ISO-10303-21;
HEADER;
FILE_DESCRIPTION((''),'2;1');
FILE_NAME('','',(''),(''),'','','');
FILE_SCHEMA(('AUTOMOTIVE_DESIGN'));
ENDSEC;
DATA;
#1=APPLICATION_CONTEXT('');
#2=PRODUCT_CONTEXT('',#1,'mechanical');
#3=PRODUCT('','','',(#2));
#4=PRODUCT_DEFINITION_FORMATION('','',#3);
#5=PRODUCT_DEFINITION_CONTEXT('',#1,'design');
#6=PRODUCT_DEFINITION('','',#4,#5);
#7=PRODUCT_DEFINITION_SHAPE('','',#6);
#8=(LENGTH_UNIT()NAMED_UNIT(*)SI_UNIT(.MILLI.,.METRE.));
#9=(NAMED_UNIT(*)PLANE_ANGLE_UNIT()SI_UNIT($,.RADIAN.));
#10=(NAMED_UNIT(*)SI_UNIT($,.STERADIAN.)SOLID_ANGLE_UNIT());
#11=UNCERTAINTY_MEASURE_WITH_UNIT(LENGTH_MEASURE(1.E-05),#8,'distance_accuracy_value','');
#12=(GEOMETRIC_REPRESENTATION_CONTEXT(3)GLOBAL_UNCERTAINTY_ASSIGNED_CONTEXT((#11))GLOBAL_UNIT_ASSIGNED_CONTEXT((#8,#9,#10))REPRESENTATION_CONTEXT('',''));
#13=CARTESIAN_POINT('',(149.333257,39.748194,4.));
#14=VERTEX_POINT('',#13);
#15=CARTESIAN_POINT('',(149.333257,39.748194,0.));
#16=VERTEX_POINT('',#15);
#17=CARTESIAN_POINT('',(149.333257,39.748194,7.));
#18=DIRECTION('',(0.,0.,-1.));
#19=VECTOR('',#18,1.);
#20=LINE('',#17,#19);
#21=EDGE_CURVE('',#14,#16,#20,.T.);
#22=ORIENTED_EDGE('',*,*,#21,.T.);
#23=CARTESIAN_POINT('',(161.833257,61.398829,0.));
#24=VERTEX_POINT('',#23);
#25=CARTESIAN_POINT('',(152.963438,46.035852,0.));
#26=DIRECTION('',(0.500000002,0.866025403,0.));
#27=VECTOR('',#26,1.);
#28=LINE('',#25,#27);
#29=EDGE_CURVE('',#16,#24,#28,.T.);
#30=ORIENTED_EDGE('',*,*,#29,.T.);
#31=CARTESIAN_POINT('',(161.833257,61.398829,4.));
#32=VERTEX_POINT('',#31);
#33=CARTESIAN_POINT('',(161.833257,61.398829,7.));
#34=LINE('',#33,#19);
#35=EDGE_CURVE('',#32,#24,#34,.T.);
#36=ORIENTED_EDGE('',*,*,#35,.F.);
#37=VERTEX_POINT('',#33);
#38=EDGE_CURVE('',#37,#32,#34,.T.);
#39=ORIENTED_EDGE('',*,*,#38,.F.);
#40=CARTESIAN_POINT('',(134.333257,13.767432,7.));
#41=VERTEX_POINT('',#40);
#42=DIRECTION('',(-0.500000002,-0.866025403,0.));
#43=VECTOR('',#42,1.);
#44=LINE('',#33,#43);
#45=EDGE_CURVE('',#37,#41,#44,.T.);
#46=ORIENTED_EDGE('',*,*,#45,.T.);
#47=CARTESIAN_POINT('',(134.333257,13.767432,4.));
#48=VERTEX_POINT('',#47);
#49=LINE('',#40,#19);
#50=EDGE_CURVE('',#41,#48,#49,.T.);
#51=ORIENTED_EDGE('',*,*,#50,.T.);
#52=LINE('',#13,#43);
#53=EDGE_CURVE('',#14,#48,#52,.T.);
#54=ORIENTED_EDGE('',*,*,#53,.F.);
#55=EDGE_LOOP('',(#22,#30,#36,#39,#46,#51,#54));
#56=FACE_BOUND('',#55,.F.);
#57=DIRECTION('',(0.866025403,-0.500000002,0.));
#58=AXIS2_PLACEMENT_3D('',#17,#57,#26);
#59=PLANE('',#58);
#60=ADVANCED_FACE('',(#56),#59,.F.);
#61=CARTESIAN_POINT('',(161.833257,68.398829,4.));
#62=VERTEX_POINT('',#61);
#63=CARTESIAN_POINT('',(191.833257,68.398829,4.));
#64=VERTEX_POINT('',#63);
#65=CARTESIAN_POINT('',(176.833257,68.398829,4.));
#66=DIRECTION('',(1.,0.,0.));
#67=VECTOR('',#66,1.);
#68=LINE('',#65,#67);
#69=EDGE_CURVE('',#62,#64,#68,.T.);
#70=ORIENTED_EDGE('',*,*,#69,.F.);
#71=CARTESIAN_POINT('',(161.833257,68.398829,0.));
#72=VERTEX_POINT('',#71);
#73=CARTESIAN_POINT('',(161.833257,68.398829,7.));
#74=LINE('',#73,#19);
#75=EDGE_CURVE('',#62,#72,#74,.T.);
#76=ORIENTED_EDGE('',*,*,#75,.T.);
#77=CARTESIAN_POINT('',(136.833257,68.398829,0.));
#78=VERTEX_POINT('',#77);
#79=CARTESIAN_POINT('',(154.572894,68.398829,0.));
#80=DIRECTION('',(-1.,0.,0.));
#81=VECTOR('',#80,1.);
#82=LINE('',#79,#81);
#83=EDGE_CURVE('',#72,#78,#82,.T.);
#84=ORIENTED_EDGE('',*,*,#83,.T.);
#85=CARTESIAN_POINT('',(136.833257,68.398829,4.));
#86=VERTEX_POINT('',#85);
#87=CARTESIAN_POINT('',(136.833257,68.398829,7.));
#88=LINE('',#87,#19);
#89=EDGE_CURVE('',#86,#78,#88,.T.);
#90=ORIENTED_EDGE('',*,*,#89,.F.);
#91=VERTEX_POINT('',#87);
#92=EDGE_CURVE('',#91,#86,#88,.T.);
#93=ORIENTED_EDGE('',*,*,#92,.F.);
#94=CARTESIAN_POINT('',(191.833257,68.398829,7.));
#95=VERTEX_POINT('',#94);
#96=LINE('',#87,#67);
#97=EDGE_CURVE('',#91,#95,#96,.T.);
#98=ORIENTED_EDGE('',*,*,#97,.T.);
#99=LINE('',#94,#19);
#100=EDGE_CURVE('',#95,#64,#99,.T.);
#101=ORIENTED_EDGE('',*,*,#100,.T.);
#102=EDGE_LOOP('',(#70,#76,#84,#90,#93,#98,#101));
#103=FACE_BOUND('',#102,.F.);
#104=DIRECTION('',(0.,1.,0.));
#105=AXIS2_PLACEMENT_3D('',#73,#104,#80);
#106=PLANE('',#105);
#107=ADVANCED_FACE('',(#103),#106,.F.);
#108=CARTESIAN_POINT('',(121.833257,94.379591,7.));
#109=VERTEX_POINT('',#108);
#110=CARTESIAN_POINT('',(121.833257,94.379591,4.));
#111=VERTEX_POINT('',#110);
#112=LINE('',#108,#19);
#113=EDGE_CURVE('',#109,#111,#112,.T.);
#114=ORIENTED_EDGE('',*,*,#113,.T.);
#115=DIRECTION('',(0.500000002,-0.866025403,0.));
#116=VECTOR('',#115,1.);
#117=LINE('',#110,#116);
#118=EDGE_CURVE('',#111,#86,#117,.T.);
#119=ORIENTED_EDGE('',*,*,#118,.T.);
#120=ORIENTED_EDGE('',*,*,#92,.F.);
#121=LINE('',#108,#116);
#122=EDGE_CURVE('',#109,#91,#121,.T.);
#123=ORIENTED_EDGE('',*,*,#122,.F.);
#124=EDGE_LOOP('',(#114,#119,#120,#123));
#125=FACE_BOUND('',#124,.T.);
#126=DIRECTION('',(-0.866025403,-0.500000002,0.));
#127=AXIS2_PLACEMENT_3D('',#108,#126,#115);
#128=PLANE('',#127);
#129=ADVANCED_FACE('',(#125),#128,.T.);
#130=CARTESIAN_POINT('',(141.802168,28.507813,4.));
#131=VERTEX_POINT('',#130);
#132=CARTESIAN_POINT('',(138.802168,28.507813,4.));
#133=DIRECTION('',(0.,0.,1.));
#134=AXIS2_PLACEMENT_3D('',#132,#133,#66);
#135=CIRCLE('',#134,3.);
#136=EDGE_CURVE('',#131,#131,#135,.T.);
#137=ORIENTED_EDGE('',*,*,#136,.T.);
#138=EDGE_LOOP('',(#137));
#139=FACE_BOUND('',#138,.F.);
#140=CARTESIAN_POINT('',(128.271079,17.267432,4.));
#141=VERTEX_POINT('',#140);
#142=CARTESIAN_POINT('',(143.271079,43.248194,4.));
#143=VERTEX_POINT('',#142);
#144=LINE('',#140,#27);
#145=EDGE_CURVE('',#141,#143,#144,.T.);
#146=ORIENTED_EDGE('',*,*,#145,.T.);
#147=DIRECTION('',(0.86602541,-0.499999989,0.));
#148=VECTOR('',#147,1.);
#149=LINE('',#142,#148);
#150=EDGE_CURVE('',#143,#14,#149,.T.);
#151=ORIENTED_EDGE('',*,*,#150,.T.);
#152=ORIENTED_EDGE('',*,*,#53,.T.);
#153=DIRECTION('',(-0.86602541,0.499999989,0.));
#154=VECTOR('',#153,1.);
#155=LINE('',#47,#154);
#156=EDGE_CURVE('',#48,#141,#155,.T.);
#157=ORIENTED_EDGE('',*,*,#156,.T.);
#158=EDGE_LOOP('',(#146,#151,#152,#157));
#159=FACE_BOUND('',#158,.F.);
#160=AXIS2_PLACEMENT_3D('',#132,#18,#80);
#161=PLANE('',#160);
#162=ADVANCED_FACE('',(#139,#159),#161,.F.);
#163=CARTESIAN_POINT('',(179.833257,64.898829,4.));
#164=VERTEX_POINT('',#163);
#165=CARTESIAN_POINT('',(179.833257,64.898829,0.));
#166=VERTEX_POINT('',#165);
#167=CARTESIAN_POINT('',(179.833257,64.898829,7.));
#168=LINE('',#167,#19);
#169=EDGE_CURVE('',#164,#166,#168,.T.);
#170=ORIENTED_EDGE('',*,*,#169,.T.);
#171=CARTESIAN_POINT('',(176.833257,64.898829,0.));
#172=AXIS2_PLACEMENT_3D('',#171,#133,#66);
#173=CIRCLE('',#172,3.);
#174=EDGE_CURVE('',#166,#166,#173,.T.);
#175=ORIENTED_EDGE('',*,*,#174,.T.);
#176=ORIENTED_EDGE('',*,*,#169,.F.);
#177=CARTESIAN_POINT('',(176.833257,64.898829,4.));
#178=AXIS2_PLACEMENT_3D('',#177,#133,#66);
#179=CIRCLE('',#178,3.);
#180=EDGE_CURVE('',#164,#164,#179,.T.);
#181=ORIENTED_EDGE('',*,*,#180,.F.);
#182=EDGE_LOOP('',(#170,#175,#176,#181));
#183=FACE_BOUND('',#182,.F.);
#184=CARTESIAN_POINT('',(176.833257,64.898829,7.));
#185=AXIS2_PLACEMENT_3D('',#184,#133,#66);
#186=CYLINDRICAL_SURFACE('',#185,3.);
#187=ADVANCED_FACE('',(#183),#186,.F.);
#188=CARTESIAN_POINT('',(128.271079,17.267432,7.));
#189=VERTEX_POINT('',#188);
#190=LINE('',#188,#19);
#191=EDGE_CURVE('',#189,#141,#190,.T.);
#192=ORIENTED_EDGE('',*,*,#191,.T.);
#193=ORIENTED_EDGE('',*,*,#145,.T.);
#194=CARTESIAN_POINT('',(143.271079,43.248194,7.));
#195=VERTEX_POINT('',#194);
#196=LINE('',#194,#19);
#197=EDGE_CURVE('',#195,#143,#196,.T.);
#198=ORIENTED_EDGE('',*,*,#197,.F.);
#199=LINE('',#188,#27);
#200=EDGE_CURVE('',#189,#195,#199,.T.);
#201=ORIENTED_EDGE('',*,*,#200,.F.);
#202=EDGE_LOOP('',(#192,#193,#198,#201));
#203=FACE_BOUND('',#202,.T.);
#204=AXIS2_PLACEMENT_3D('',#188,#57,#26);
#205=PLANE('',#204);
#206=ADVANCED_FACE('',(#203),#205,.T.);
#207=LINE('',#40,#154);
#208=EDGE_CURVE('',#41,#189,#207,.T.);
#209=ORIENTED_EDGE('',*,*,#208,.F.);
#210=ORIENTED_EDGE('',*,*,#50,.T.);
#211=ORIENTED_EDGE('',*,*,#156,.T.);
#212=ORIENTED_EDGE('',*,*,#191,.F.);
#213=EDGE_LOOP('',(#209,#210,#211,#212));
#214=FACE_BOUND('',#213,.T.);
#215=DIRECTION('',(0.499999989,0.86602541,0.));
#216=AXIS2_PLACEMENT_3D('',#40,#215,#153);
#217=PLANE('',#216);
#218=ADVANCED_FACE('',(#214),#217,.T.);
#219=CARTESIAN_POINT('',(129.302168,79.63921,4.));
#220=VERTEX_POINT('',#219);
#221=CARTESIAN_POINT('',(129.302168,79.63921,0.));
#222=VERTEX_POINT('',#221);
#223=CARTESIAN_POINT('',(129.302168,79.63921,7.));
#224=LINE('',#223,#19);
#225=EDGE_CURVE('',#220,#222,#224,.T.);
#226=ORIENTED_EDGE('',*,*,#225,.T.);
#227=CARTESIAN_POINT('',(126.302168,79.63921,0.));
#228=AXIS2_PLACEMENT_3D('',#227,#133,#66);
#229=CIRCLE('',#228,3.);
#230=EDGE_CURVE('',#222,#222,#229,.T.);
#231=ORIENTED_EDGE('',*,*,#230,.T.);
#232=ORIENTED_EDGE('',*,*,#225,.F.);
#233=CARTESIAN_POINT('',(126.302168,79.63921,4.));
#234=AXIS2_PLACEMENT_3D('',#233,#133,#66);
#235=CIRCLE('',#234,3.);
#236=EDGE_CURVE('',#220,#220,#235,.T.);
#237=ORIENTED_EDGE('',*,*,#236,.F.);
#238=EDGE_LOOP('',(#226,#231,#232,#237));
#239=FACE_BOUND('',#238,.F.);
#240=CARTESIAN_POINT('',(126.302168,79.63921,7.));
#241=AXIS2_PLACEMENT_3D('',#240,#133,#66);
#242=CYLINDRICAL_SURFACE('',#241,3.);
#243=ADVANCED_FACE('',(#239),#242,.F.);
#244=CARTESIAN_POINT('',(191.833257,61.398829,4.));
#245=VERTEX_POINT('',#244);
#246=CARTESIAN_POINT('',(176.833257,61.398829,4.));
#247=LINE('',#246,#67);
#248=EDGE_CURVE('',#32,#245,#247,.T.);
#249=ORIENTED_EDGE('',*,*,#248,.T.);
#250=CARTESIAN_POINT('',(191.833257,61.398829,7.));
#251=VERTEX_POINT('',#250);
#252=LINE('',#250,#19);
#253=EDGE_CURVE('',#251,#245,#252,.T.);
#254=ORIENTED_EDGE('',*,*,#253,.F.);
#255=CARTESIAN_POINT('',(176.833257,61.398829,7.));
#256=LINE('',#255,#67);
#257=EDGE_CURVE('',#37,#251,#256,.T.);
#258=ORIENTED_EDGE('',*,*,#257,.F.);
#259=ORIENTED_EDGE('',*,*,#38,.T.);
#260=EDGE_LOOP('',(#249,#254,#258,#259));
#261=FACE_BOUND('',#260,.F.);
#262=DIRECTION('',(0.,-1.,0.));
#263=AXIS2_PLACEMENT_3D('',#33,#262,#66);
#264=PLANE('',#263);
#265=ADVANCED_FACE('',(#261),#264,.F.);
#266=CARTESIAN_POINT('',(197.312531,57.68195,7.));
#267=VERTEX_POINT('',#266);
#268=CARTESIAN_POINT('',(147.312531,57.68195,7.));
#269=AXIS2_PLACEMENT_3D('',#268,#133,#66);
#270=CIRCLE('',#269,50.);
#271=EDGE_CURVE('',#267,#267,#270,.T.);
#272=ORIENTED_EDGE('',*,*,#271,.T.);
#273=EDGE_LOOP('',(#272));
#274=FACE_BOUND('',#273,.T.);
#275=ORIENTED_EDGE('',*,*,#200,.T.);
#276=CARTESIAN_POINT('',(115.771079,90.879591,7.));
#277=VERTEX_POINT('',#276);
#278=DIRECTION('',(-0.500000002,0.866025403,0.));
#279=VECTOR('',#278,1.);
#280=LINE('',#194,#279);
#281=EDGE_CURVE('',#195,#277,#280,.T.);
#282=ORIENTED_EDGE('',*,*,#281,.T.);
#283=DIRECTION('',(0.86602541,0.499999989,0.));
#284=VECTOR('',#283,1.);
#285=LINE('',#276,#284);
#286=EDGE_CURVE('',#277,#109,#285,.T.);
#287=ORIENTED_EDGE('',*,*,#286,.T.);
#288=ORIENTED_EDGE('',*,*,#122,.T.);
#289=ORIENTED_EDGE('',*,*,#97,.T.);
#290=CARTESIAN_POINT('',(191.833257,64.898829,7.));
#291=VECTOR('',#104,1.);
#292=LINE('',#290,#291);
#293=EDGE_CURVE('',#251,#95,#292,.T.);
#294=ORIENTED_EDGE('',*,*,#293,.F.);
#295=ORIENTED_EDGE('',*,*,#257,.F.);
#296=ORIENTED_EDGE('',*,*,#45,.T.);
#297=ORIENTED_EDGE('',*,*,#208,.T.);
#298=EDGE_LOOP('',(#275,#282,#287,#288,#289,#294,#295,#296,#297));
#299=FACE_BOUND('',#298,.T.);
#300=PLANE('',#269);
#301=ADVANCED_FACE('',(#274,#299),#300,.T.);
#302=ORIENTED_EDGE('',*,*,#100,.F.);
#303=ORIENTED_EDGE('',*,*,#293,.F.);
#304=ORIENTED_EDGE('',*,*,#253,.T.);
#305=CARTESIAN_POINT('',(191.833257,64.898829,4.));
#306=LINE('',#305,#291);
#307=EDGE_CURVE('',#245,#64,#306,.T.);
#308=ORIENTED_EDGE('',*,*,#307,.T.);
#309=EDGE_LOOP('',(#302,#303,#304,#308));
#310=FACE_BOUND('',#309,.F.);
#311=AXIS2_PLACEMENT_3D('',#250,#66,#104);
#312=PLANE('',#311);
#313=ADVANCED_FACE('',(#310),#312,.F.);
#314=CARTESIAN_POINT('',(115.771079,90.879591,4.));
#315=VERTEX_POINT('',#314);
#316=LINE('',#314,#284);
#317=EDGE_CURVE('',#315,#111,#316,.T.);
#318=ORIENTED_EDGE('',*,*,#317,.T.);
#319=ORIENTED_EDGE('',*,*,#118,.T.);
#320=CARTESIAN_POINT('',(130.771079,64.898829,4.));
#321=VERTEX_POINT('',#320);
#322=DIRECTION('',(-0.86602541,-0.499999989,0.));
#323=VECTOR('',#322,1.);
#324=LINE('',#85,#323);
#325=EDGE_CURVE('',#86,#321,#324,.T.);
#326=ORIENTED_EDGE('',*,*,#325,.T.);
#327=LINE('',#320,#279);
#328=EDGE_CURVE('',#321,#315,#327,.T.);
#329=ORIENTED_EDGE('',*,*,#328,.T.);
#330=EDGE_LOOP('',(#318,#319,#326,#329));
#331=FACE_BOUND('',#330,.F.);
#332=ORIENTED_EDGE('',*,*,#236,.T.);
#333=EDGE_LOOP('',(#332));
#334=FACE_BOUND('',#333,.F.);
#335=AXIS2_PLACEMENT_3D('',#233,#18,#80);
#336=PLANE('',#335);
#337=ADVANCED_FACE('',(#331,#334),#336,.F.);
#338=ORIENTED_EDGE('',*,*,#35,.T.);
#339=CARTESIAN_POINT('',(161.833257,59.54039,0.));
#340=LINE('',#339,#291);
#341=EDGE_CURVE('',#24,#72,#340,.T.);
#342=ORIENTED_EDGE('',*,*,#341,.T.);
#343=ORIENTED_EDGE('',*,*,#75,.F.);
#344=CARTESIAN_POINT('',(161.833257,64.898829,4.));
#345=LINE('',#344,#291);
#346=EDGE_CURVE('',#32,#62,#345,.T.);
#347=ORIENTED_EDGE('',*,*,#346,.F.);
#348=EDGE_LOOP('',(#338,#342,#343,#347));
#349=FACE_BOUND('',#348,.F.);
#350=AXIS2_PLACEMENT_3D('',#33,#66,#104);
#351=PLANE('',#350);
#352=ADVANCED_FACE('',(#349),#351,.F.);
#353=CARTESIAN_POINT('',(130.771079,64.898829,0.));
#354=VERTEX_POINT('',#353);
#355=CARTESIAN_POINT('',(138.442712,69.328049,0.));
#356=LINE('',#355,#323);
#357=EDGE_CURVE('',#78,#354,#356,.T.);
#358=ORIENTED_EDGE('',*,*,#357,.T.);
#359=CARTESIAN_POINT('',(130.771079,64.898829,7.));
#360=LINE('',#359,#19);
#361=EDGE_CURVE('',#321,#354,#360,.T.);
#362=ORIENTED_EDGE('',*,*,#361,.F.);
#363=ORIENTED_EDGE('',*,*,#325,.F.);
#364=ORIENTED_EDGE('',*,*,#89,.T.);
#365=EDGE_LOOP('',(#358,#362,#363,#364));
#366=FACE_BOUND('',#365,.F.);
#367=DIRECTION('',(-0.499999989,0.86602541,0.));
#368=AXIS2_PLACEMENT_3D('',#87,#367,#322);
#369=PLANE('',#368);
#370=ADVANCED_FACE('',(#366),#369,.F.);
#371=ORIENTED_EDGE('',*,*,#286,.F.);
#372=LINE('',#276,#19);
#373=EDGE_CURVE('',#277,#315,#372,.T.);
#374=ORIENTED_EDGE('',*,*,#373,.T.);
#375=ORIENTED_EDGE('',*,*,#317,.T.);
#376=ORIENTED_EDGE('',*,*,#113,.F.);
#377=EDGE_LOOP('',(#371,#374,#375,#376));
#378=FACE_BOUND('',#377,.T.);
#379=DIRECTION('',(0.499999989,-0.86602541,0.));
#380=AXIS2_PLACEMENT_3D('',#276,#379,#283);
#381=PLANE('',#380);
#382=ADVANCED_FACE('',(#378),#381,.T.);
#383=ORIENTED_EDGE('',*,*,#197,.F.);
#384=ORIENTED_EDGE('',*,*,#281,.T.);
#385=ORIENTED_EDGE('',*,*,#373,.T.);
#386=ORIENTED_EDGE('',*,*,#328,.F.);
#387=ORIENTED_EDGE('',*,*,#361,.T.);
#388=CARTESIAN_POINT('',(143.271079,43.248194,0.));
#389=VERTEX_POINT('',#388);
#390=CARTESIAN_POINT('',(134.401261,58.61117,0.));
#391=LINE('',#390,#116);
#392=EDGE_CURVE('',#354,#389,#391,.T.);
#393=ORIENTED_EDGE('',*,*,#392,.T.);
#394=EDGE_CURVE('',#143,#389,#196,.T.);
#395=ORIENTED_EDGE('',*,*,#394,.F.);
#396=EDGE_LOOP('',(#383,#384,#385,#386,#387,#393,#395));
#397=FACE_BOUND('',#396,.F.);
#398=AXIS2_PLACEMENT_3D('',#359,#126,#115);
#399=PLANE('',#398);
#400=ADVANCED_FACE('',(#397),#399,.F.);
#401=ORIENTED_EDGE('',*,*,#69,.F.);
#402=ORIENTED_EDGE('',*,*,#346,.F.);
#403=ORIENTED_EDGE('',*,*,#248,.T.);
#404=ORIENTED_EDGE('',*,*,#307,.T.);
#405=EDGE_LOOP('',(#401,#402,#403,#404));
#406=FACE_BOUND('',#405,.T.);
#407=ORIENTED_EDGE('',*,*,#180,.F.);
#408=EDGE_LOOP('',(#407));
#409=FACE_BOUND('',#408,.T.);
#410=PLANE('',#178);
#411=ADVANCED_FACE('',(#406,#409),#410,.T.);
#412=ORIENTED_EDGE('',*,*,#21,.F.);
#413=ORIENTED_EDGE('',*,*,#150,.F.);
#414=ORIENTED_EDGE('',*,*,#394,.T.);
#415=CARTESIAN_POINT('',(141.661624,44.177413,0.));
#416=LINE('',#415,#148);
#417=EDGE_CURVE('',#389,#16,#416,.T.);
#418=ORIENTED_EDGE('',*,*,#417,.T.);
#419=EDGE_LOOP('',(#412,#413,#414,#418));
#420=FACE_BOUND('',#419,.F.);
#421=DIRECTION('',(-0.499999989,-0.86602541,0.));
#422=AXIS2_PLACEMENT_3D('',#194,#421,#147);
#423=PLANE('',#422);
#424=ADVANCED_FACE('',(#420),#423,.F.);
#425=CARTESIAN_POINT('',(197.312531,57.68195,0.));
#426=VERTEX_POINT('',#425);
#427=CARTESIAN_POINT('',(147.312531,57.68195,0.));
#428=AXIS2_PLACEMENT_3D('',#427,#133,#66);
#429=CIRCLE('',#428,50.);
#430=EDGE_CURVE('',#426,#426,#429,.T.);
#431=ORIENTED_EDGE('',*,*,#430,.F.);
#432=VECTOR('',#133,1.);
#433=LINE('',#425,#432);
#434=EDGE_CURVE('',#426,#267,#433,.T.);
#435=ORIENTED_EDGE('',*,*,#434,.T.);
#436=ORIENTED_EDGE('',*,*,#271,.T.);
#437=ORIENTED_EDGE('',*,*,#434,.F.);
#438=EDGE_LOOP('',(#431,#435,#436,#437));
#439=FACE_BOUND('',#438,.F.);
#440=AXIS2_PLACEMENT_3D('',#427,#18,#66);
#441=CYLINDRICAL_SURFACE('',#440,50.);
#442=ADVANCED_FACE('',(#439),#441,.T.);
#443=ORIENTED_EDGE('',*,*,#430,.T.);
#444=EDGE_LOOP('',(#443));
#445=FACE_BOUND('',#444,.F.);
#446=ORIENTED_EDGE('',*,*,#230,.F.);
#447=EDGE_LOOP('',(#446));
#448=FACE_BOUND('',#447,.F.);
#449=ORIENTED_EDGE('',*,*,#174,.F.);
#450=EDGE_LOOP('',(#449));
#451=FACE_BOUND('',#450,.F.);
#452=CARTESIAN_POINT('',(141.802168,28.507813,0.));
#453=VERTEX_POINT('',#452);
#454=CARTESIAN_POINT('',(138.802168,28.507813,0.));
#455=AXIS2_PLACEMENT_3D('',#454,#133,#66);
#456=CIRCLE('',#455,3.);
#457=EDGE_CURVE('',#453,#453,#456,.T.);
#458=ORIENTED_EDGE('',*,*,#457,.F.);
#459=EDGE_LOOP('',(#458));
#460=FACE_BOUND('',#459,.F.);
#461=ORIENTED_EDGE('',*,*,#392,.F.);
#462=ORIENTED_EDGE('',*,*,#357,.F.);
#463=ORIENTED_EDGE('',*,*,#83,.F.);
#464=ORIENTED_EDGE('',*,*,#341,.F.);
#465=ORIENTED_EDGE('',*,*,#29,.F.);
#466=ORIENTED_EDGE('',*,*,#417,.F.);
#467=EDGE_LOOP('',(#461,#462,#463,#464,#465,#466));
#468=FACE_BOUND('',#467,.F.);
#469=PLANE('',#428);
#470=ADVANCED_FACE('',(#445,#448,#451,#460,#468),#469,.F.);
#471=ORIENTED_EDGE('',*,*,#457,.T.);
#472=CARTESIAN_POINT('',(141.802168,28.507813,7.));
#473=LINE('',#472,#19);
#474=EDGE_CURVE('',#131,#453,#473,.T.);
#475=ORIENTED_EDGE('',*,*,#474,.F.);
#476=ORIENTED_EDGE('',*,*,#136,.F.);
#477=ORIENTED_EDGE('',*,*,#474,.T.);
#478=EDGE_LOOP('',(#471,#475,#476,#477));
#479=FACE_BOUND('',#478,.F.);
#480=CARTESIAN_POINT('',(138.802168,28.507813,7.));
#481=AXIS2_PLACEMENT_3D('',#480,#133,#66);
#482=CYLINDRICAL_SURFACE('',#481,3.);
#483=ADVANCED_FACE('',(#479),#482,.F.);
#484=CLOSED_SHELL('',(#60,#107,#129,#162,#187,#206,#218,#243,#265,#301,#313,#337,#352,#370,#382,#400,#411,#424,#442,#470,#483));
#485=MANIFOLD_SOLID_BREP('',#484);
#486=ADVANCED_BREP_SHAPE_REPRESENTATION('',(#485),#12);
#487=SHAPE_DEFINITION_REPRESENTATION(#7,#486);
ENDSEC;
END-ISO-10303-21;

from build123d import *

# Parameters (mm, degrees)
SKETCH_R        = 50
PAD_DEPTH       = 7
POCKET_DEPTH    = 7.001
SKETCH005_W     = 30
SKETCH005_H     = 7
POCKET001_DEPTH = 3
SKETCH030_R     = 3
POCKET022_DEPTH = 15


with BuildPart() as part:
    # Sketch → Pad (new body)
    with BuildSketch(Plane.XY):
        with Locations((54.312531, 53.68195)):
            Circle(SKETCH_R)
    extrude(amount=PAD_DEPTH)

    # Sketch004 (on Face3 of Pad) → Pocket (cut, through all)
    with BuildSketch(Plane.XY.offset(7)):
        Polygon((56.333257, 35.748194), (68.833257, 57.398829), (68.833257, 64.398829), (43.833257, 64.398829), (37.771079, 60.898829), (50.271079, 39.248194), align=None)
    extrude(amount=-POCKET_DEPTH, mode=Mode.SUBTRACT)

    # Sketch005 (on Face3 of Pocket) → Pocket001 (cut)
    with BuildSketch(Plane.XY.offset(7)):
        with Locations((83.833257, 60.898829)):
            Rectangle(SKETCH005_W, SKETCH005_H)
        Polygon((56.333257, 35.748194), (41.333257, 9.767432), (35.271079, 13.267432), (50.271079, 39.248194), align=None)
        Polygon((37.771079, 60.898829), (22.771079, 86.879591), (28.833257, 90.379591), (43.833257, 64.398829), align=None)
    extrude(amount=-POCKET001_DEPTH, mode=Mode.SUBTRACT)

    # Sketch030 (on Face3 of Pocket001) → Pocket022 (cut)
    with BuildSketch(Plane.XY.offset(7)):
        with Locations((45.802168, 24.507813)):
            Circle(SKETCH030_R)
        with Locations((33.302168, 75.63921)):
            Circle(SKETCH030_R)
        with Locations((83.833257, 60.898829)):
            Circle(SKETCH030_R)
    extrude(amount=-POCKET022_DEPTH, mode=Mode.SUBTRACT)


with BuildPart() as part_1:
    # Clone001 placement: moved
    add(part.part.moved(Location((93, 4, 0))))


solid = part_1.part
